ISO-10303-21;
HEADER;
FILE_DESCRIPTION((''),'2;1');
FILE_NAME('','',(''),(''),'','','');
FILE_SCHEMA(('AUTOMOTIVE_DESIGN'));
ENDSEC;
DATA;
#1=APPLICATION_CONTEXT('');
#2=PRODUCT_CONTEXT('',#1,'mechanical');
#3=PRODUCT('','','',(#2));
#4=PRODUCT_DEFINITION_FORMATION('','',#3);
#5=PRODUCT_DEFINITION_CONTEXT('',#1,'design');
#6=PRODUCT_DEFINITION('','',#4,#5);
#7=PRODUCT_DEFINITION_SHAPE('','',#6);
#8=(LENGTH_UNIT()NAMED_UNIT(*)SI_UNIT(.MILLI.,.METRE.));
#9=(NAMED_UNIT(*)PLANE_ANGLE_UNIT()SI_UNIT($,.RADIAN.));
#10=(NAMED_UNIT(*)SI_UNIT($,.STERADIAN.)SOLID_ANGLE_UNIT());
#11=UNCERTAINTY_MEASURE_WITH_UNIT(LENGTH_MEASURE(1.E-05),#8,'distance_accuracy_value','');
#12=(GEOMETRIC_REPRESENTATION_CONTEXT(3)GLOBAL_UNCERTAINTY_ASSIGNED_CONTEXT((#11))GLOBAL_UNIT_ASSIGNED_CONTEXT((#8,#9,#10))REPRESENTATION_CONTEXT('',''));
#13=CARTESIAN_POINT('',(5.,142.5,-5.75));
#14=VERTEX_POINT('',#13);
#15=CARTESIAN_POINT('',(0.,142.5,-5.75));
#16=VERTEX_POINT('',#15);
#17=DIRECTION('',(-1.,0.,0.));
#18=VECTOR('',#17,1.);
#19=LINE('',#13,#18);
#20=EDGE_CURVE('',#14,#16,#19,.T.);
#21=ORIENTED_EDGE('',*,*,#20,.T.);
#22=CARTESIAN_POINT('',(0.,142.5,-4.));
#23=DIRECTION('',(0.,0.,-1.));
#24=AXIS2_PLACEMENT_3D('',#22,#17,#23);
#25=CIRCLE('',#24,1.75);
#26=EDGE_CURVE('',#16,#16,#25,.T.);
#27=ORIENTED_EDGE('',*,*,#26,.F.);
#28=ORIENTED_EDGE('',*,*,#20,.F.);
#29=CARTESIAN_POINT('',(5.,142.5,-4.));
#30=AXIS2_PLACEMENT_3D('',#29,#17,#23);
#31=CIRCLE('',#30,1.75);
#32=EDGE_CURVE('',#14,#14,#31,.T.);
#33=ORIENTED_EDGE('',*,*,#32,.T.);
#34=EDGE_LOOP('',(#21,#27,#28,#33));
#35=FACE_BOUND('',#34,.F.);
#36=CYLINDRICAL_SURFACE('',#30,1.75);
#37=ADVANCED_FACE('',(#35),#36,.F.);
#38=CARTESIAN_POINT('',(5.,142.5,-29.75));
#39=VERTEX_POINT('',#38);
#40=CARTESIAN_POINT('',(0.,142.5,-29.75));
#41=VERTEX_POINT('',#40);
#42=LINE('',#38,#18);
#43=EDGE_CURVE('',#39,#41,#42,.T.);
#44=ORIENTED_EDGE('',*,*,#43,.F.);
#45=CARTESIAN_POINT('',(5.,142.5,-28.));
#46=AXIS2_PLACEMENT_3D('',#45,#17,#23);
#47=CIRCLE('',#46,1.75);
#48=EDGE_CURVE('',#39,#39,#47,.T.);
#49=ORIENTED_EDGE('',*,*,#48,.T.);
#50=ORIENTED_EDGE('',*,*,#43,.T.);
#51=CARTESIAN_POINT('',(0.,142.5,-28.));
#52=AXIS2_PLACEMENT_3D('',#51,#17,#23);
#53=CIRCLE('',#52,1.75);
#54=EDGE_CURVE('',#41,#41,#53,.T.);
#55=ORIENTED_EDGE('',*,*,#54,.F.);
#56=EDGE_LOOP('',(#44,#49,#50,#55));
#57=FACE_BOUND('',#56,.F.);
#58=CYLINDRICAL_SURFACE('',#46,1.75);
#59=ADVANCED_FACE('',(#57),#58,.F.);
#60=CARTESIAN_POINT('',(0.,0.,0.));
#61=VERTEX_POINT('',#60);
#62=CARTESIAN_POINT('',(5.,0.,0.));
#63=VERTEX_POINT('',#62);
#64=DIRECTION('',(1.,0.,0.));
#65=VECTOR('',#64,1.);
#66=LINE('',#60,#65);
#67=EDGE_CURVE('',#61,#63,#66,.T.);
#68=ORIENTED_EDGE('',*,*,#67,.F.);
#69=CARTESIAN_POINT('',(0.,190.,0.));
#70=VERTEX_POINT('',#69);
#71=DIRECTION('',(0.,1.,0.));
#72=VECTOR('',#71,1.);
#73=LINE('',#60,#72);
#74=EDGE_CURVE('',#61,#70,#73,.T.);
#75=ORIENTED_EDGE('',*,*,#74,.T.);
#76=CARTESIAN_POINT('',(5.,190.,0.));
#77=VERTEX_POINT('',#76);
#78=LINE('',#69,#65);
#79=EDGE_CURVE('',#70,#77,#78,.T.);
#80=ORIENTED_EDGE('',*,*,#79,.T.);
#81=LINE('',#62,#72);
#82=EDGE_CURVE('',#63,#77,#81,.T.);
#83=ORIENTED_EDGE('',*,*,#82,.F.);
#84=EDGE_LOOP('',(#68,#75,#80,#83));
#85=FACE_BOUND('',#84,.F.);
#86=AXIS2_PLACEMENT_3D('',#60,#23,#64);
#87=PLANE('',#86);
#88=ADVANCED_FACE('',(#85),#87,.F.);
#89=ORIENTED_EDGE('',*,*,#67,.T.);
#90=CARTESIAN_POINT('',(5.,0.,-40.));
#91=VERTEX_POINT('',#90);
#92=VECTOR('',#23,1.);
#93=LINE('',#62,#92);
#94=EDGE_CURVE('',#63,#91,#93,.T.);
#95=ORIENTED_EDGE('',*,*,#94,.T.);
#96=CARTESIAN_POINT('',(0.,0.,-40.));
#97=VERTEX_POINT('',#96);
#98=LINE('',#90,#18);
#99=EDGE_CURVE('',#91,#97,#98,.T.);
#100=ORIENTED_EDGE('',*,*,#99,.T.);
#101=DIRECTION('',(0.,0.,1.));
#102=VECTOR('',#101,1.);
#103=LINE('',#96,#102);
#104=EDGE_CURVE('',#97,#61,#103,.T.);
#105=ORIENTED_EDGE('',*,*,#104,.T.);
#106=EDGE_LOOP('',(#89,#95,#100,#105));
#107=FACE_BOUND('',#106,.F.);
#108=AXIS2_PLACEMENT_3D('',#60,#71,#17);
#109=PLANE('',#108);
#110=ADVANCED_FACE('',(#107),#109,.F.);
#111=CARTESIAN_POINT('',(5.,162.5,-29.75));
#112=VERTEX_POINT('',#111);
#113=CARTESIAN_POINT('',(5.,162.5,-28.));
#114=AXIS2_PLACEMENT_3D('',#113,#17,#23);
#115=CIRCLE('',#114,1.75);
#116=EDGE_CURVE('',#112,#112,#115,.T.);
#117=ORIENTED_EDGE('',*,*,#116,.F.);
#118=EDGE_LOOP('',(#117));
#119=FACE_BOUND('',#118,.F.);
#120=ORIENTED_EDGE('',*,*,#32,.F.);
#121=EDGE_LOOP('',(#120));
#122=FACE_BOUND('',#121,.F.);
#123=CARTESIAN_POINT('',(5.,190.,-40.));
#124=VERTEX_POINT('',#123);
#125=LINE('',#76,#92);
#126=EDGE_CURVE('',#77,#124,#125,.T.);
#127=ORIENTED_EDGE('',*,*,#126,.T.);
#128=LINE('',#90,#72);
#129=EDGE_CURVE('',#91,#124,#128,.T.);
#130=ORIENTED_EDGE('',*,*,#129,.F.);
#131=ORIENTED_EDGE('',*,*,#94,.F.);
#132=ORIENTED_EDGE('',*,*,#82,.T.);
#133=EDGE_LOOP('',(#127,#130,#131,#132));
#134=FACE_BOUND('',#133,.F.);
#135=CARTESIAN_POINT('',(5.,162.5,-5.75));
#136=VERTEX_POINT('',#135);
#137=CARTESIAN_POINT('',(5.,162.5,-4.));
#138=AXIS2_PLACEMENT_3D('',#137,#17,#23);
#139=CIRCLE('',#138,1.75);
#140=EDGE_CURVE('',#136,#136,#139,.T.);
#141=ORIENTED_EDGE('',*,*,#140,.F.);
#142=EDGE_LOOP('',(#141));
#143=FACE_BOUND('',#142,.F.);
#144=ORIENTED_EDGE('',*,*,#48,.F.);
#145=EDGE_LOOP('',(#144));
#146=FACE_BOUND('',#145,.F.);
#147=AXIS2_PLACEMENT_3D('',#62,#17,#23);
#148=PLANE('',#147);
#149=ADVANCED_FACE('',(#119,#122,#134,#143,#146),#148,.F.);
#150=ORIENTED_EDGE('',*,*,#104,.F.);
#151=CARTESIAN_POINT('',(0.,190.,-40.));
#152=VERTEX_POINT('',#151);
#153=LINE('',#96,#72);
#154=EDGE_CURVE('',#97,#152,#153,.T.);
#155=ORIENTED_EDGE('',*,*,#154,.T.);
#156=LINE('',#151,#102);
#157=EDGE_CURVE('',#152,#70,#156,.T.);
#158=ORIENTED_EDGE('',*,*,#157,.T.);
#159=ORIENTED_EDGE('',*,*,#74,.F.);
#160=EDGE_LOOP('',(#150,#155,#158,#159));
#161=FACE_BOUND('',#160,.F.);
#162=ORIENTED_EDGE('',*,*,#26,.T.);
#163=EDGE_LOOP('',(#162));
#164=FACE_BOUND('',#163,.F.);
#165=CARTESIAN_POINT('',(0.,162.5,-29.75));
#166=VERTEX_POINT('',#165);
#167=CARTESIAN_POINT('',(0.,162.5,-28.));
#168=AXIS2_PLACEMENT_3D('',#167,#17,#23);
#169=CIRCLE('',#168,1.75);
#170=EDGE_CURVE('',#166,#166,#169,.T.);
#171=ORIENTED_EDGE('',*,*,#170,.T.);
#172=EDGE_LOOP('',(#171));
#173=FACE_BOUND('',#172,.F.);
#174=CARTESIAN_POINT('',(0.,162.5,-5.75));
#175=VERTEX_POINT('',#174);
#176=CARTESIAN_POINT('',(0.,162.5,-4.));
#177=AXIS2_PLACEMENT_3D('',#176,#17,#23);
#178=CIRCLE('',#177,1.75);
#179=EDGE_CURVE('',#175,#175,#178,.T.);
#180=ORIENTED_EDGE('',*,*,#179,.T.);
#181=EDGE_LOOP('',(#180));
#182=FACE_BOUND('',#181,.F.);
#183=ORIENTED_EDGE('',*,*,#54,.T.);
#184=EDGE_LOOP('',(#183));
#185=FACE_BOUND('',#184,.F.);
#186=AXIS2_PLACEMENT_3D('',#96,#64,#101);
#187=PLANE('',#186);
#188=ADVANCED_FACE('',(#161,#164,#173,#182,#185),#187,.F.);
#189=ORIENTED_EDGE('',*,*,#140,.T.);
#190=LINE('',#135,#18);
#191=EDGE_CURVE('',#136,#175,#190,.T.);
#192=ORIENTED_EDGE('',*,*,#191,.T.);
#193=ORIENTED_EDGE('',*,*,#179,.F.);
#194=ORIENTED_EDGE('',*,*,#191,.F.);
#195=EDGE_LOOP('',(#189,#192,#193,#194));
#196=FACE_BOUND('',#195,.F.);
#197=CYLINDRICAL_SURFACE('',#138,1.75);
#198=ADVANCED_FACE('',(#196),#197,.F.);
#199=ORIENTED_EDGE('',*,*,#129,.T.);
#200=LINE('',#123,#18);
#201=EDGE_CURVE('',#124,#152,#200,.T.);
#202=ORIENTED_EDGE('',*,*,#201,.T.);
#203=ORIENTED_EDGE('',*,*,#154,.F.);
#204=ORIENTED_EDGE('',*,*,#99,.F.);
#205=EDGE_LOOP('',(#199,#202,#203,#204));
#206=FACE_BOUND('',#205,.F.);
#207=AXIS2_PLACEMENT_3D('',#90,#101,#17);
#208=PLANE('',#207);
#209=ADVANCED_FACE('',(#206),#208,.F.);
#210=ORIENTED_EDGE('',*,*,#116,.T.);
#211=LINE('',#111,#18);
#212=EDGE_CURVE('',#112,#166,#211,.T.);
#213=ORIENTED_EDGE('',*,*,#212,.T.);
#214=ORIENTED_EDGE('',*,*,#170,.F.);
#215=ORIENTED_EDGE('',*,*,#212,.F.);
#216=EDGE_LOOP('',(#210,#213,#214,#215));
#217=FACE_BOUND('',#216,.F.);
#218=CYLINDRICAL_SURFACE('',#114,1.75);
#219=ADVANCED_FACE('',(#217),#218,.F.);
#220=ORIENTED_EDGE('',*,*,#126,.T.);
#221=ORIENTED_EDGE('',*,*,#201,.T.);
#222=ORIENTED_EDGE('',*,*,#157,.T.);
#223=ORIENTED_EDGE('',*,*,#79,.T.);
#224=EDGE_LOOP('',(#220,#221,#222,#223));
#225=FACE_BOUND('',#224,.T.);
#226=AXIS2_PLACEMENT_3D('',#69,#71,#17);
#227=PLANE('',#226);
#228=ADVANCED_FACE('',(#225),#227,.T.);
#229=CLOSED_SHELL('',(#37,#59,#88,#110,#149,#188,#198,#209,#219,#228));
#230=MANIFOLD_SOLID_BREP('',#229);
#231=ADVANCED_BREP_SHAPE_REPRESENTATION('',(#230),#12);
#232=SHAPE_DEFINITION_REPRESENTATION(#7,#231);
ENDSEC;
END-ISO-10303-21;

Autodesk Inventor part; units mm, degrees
ref_plane "YZ Plane" through (0, 0, 0) normal (1, 0, 0) x (0, 1, 0)
ref_plane "XZ Plane" through (0, 0, 0) normal (0, 1, 0) x (-1, 0, 0)
ref_plane "XY Plane" through (0, 0, 0) normal (0, 0, 1) x (1, 0, 0)
sketch "スケッチ1" plane through (0, 0, 0) normal (0, 1, 0) x (-1, 0, 0)
  line L0 (0, 0) -> (-5, 0)
  line L1 (-5, 0) -> (-5, -40)
  line L2 (-5, -40) -> (0, -40)
  line L3 (0, -40) -> (0, 0)
  dimension "d0" = 40
  dimension "d3" = 5
extrude "押し出し1" add sketch "スケッチ1" along normal blind 190
sketch "スケッチ2" plane through (5, 0, 0) normal (1, 0, 0) x (0, 0, -1)
  line L0 (0, 0) -> (0, 190) projected
  line L1 (0, 190) -> (40, 190) projected
  line L2 (0, 0) -> (0, 190) projected
  line L3 (40, 0) -> (40, 190) projected
  line L4 (0, 95) -> (40, 95)
  point P0 (4, 162.5)
  point P1 (28, 162.5)
  point P2 (4, 142.5)
  point P3 (28, 142.5)
  dimension "d4" = 4
  dimension "d5" = 27.5
  dimension "d8" = 24
  dimension "d11" = 20
hole "穴1" at (5, 162.5, -4) at (5, 162.5, -28) at (5, 142.5, -4) at (5, 142.5, -28) direction (-1, 0, 0) diameter 3.5 end through all
properties part number "縦フラットバー" material "アルミニウム"
